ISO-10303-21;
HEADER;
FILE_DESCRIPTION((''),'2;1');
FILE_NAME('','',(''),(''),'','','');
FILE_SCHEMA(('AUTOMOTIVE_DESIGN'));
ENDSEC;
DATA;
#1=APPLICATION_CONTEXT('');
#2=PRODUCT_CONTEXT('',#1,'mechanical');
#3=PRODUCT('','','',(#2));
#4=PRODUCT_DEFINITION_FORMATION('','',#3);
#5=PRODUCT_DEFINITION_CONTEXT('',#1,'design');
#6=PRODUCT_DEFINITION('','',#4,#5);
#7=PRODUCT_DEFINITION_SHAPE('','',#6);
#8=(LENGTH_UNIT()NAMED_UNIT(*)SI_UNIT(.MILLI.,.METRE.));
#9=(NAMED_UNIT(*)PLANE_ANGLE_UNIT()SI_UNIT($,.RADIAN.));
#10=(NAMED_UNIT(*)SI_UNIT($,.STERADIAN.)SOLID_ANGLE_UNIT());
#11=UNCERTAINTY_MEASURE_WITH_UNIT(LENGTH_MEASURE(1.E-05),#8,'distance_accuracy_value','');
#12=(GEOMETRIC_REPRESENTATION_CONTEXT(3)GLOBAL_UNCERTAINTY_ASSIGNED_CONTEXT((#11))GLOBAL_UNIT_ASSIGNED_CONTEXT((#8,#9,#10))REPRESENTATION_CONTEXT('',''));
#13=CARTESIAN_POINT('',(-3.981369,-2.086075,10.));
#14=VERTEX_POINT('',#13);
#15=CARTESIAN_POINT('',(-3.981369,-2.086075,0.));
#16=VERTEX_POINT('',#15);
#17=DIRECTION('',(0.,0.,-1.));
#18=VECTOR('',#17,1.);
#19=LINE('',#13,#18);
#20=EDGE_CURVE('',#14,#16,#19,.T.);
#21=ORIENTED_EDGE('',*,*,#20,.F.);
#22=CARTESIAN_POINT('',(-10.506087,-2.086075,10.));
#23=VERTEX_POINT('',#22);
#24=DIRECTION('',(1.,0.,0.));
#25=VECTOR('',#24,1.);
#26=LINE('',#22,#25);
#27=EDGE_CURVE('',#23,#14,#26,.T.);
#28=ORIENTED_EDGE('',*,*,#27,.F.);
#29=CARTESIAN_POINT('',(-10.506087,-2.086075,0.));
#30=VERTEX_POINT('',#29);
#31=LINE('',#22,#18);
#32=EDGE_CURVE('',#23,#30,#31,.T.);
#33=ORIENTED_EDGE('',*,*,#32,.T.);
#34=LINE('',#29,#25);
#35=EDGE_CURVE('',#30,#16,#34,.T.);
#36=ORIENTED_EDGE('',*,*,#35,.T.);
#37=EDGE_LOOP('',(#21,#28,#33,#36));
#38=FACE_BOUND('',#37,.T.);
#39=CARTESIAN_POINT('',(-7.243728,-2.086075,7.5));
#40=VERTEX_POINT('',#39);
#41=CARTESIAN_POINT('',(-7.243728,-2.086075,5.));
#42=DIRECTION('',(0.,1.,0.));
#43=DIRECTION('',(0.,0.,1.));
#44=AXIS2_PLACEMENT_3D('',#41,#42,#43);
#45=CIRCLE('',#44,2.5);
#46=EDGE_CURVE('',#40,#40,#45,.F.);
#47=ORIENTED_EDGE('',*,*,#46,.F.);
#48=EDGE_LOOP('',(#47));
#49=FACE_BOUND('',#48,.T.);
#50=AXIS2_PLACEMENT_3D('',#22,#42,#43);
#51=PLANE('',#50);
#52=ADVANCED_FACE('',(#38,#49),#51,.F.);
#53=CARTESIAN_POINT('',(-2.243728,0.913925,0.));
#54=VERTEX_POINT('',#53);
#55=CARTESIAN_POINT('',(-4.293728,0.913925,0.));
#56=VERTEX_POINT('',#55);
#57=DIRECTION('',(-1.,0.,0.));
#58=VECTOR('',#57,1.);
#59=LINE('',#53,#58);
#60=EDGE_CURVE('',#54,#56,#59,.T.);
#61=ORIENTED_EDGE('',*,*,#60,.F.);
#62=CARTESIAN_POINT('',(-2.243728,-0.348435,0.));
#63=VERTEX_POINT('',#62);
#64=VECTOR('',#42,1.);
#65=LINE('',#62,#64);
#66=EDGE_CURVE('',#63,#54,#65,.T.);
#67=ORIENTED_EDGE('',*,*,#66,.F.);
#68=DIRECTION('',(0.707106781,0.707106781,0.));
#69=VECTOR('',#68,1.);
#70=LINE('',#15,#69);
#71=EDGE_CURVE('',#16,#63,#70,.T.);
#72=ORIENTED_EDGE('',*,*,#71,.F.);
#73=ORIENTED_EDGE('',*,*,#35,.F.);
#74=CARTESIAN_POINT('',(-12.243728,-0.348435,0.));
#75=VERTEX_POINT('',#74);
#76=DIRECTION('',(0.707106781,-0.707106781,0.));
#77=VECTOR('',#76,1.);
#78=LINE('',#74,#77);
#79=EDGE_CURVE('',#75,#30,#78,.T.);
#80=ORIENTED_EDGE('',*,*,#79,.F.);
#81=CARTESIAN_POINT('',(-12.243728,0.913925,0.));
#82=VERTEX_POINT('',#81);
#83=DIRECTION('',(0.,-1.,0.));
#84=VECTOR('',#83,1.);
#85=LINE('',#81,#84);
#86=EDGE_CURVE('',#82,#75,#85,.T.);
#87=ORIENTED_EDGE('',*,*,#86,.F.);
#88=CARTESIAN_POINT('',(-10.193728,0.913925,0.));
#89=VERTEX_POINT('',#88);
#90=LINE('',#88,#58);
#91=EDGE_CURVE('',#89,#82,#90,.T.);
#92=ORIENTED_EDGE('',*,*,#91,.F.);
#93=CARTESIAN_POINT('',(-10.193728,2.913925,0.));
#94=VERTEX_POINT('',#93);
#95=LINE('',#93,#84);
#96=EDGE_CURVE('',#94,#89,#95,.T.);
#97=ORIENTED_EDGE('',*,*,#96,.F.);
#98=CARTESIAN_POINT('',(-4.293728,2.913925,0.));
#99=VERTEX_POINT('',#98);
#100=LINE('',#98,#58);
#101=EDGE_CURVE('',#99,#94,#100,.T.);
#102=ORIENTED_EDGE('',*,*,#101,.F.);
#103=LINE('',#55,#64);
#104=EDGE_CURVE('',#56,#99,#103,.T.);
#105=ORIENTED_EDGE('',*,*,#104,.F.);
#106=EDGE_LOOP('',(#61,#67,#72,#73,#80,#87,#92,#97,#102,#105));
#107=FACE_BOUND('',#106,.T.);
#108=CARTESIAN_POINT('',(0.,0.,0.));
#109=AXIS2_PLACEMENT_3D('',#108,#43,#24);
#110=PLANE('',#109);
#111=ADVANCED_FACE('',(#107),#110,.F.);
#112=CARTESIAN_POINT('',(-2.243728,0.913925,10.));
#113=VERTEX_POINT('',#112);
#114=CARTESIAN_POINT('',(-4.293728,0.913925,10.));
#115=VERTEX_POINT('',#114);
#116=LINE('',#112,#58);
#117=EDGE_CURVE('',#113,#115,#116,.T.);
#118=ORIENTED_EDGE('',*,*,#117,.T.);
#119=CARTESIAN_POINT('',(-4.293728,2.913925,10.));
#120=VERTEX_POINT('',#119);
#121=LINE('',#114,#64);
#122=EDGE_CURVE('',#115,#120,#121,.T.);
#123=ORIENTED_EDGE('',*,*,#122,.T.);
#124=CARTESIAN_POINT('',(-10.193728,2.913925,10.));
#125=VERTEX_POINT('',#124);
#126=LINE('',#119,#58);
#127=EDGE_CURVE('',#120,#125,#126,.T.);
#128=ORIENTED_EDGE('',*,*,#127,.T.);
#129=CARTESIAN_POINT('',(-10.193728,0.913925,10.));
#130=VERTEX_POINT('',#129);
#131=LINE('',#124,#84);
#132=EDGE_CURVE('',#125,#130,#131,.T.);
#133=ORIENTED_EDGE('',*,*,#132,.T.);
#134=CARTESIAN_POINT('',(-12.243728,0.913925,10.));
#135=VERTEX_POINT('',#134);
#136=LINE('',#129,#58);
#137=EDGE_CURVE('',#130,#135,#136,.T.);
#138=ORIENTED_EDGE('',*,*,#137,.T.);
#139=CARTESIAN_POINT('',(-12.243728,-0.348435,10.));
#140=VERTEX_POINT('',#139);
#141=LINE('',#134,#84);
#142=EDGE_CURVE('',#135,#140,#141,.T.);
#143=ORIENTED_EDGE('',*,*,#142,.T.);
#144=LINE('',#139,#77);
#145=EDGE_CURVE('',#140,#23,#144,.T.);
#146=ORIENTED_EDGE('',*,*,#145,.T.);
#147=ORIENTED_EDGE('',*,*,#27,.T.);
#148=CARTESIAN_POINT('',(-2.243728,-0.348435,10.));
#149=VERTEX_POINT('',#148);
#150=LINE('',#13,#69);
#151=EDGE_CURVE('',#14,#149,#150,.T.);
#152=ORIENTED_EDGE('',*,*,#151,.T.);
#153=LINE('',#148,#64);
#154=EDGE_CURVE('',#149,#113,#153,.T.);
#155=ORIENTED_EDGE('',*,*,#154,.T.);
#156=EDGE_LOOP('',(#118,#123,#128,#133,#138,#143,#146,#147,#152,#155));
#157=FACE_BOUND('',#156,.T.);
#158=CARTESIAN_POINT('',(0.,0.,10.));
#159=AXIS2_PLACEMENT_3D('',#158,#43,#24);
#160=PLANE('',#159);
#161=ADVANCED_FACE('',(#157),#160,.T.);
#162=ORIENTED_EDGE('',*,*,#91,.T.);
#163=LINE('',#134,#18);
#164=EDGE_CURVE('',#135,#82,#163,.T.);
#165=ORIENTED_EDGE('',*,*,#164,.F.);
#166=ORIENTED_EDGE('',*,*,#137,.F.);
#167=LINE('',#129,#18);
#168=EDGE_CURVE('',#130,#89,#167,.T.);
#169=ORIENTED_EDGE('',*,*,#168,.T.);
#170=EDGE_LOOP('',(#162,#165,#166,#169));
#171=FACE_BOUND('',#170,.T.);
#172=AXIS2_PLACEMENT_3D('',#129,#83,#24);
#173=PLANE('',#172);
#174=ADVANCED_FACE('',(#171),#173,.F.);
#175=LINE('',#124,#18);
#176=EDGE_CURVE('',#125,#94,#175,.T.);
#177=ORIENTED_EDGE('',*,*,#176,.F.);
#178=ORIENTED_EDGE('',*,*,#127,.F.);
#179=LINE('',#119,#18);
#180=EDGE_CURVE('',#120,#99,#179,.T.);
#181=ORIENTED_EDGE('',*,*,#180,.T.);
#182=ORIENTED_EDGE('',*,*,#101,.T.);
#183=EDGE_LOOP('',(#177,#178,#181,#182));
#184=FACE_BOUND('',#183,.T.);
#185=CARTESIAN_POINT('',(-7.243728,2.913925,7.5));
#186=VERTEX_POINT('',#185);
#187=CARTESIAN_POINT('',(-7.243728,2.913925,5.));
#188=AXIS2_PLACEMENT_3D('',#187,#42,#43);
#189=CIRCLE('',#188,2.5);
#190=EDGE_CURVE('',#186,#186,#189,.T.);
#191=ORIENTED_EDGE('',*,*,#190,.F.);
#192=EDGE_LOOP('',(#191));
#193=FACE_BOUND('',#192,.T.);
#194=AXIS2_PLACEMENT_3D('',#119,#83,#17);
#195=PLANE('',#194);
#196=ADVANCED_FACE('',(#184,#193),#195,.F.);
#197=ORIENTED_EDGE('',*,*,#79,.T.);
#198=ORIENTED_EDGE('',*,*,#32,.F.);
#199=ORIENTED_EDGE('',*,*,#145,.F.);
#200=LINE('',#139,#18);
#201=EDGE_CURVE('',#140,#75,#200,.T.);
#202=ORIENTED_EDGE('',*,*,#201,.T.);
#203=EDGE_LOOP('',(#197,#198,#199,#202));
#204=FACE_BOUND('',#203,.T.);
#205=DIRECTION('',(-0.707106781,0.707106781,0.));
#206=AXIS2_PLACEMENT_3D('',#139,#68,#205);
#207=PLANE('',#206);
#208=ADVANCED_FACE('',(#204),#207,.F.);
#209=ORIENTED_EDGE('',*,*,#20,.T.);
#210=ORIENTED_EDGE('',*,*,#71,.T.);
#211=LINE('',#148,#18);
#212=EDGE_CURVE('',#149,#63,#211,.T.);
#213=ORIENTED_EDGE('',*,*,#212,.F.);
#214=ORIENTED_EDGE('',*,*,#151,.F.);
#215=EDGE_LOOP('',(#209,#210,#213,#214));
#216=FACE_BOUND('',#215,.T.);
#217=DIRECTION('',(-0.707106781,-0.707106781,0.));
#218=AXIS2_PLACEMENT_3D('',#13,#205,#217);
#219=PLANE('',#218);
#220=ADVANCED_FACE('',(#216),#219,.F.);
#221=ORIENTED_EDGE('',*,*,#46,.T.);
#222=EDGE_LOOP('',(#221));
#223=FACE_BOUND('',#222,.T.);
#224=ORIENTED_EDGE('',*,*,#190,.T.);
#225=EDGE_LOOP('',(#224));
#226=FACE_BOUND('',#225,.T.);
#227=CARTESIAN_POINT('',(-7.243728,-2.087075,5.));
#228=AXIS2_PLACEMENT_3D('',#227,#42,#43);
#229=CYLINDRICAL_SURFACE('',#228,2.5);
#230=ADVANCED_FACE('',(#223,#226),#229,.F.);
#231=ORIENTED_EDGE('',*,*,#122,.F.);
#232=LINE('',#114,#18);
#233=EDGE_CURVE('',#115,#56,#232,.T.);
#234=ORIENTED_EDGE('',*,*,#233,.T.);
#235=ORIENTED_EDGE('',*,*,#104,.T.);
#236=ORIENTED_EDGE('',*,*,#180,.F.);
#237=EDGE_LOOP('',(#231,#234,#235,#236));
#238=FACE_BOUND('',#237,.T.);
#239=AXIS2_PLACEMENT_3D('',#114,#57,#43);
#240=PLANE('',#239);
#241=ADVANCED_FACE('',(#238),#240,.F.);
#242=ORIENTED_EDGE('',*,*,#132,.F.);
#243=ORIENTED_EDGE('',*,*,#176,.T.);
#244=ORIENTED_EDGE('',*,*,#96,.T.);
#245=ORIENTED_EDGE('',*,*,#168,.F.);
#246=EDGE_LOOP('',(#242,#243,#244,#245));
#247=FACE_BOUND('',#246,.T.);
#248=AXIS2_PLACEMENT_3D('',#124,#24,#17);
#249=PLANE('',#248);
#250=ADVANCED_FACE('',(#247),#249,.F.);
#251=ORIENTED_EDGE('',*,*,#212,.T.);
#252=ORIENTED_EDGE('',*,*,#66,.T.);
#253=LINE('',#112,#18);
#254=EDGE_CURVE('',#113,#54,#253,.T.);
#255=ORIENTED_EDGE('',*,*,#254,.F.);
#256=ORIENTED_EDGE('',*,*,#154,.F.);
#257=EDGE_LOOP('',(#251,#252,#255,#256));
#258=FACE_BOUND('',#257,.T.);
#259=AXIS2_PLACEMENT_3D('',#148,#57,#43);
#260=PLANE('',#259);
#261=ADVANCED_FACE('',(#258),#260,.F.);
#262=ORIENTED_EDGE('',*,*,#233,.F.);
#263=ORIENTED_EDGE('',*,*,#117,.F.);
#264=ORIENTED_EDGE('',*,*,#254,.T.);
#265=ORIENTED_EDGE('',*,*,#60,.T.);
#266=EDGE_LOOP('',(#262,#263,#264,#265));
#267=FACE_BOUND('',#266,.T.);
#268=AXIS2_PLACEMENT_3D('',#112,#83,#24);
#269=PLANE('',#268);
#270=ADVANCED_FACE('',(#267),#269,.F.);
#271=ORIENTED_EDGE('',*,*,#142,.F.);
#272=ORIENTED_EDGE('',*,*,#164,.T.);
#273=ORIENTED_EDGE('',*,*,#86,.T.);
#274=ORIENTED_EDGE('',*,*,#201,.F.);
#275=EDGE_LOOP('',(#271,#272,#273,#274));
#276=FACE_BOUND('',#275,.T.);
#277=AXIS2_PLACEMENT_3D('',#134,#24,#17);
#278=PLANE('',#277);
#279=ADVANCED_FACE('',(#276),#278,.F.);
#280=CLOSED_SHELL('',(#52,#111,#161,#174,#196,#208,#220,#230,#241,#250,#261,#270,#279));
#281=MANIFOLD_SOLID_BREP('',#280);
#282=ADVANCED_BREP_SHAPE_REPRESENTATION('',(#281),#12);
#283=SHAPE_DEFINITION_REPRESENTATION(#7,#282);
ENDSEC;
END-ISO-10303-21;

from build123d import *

# Parameters (mm, degrees)
BOSS_EXTRU_1_DEPTH      = 10
ENL_V_MAT_EXTRU_1_REACH = 18.58
ESQUISSE2_R             = 2.5


with BuildPart() as part:
    # Esquisse1 → Boss.-Extru.1 (new body)
    with BuildSketch(Plane.XY):
        Polygon((-10.506087259, -2.086075409), (-3.981368971, -2.086075409), (-2.243728115, -0.348434553), (-2.243728115, 0.913924591), (-4.293728115, 0.913924591), (-4.293728115, 2.913924591), (-10.193728115, 2.913924591), (-10.193728115, 0.913924591), (-12.243728115, 0.913924591), (-12.243728115, -0.348434553), align=None)
    extrude(amount=BOSS_EXTRU_1_DEPTH)

    # Esquisse2 → Enlèv. mat.-Extru.1 (cut, up to next)
    with BuildSketch(Plane(origin=(0, 2.913924591, 0), x_dir=(1, 0, 0), z_dir=(0, 1, 0)), mode=Mode.PRIVATE) as enl_v_mat_extru_1_sk1:
        with Locations(Location((-7.243728115, -5, 0), (0, 0, 270))):
            Circle(ESQUISSE2_R)
    enl_v_mat_extru_1_tool1 = extrude(enl_v_mat_extru_1_sk1.sketch, amount=-ENL_V_MAT_EXTRU_1_REACH, mode=Mode.PRIVATE) & part.part
    add(enl_v_mat_extru_1_tool1.solids().sort_by_distance((-7.243728, 2.913925, 5))[0], mode=Mode.SUBTRACT)


solid = part.part
